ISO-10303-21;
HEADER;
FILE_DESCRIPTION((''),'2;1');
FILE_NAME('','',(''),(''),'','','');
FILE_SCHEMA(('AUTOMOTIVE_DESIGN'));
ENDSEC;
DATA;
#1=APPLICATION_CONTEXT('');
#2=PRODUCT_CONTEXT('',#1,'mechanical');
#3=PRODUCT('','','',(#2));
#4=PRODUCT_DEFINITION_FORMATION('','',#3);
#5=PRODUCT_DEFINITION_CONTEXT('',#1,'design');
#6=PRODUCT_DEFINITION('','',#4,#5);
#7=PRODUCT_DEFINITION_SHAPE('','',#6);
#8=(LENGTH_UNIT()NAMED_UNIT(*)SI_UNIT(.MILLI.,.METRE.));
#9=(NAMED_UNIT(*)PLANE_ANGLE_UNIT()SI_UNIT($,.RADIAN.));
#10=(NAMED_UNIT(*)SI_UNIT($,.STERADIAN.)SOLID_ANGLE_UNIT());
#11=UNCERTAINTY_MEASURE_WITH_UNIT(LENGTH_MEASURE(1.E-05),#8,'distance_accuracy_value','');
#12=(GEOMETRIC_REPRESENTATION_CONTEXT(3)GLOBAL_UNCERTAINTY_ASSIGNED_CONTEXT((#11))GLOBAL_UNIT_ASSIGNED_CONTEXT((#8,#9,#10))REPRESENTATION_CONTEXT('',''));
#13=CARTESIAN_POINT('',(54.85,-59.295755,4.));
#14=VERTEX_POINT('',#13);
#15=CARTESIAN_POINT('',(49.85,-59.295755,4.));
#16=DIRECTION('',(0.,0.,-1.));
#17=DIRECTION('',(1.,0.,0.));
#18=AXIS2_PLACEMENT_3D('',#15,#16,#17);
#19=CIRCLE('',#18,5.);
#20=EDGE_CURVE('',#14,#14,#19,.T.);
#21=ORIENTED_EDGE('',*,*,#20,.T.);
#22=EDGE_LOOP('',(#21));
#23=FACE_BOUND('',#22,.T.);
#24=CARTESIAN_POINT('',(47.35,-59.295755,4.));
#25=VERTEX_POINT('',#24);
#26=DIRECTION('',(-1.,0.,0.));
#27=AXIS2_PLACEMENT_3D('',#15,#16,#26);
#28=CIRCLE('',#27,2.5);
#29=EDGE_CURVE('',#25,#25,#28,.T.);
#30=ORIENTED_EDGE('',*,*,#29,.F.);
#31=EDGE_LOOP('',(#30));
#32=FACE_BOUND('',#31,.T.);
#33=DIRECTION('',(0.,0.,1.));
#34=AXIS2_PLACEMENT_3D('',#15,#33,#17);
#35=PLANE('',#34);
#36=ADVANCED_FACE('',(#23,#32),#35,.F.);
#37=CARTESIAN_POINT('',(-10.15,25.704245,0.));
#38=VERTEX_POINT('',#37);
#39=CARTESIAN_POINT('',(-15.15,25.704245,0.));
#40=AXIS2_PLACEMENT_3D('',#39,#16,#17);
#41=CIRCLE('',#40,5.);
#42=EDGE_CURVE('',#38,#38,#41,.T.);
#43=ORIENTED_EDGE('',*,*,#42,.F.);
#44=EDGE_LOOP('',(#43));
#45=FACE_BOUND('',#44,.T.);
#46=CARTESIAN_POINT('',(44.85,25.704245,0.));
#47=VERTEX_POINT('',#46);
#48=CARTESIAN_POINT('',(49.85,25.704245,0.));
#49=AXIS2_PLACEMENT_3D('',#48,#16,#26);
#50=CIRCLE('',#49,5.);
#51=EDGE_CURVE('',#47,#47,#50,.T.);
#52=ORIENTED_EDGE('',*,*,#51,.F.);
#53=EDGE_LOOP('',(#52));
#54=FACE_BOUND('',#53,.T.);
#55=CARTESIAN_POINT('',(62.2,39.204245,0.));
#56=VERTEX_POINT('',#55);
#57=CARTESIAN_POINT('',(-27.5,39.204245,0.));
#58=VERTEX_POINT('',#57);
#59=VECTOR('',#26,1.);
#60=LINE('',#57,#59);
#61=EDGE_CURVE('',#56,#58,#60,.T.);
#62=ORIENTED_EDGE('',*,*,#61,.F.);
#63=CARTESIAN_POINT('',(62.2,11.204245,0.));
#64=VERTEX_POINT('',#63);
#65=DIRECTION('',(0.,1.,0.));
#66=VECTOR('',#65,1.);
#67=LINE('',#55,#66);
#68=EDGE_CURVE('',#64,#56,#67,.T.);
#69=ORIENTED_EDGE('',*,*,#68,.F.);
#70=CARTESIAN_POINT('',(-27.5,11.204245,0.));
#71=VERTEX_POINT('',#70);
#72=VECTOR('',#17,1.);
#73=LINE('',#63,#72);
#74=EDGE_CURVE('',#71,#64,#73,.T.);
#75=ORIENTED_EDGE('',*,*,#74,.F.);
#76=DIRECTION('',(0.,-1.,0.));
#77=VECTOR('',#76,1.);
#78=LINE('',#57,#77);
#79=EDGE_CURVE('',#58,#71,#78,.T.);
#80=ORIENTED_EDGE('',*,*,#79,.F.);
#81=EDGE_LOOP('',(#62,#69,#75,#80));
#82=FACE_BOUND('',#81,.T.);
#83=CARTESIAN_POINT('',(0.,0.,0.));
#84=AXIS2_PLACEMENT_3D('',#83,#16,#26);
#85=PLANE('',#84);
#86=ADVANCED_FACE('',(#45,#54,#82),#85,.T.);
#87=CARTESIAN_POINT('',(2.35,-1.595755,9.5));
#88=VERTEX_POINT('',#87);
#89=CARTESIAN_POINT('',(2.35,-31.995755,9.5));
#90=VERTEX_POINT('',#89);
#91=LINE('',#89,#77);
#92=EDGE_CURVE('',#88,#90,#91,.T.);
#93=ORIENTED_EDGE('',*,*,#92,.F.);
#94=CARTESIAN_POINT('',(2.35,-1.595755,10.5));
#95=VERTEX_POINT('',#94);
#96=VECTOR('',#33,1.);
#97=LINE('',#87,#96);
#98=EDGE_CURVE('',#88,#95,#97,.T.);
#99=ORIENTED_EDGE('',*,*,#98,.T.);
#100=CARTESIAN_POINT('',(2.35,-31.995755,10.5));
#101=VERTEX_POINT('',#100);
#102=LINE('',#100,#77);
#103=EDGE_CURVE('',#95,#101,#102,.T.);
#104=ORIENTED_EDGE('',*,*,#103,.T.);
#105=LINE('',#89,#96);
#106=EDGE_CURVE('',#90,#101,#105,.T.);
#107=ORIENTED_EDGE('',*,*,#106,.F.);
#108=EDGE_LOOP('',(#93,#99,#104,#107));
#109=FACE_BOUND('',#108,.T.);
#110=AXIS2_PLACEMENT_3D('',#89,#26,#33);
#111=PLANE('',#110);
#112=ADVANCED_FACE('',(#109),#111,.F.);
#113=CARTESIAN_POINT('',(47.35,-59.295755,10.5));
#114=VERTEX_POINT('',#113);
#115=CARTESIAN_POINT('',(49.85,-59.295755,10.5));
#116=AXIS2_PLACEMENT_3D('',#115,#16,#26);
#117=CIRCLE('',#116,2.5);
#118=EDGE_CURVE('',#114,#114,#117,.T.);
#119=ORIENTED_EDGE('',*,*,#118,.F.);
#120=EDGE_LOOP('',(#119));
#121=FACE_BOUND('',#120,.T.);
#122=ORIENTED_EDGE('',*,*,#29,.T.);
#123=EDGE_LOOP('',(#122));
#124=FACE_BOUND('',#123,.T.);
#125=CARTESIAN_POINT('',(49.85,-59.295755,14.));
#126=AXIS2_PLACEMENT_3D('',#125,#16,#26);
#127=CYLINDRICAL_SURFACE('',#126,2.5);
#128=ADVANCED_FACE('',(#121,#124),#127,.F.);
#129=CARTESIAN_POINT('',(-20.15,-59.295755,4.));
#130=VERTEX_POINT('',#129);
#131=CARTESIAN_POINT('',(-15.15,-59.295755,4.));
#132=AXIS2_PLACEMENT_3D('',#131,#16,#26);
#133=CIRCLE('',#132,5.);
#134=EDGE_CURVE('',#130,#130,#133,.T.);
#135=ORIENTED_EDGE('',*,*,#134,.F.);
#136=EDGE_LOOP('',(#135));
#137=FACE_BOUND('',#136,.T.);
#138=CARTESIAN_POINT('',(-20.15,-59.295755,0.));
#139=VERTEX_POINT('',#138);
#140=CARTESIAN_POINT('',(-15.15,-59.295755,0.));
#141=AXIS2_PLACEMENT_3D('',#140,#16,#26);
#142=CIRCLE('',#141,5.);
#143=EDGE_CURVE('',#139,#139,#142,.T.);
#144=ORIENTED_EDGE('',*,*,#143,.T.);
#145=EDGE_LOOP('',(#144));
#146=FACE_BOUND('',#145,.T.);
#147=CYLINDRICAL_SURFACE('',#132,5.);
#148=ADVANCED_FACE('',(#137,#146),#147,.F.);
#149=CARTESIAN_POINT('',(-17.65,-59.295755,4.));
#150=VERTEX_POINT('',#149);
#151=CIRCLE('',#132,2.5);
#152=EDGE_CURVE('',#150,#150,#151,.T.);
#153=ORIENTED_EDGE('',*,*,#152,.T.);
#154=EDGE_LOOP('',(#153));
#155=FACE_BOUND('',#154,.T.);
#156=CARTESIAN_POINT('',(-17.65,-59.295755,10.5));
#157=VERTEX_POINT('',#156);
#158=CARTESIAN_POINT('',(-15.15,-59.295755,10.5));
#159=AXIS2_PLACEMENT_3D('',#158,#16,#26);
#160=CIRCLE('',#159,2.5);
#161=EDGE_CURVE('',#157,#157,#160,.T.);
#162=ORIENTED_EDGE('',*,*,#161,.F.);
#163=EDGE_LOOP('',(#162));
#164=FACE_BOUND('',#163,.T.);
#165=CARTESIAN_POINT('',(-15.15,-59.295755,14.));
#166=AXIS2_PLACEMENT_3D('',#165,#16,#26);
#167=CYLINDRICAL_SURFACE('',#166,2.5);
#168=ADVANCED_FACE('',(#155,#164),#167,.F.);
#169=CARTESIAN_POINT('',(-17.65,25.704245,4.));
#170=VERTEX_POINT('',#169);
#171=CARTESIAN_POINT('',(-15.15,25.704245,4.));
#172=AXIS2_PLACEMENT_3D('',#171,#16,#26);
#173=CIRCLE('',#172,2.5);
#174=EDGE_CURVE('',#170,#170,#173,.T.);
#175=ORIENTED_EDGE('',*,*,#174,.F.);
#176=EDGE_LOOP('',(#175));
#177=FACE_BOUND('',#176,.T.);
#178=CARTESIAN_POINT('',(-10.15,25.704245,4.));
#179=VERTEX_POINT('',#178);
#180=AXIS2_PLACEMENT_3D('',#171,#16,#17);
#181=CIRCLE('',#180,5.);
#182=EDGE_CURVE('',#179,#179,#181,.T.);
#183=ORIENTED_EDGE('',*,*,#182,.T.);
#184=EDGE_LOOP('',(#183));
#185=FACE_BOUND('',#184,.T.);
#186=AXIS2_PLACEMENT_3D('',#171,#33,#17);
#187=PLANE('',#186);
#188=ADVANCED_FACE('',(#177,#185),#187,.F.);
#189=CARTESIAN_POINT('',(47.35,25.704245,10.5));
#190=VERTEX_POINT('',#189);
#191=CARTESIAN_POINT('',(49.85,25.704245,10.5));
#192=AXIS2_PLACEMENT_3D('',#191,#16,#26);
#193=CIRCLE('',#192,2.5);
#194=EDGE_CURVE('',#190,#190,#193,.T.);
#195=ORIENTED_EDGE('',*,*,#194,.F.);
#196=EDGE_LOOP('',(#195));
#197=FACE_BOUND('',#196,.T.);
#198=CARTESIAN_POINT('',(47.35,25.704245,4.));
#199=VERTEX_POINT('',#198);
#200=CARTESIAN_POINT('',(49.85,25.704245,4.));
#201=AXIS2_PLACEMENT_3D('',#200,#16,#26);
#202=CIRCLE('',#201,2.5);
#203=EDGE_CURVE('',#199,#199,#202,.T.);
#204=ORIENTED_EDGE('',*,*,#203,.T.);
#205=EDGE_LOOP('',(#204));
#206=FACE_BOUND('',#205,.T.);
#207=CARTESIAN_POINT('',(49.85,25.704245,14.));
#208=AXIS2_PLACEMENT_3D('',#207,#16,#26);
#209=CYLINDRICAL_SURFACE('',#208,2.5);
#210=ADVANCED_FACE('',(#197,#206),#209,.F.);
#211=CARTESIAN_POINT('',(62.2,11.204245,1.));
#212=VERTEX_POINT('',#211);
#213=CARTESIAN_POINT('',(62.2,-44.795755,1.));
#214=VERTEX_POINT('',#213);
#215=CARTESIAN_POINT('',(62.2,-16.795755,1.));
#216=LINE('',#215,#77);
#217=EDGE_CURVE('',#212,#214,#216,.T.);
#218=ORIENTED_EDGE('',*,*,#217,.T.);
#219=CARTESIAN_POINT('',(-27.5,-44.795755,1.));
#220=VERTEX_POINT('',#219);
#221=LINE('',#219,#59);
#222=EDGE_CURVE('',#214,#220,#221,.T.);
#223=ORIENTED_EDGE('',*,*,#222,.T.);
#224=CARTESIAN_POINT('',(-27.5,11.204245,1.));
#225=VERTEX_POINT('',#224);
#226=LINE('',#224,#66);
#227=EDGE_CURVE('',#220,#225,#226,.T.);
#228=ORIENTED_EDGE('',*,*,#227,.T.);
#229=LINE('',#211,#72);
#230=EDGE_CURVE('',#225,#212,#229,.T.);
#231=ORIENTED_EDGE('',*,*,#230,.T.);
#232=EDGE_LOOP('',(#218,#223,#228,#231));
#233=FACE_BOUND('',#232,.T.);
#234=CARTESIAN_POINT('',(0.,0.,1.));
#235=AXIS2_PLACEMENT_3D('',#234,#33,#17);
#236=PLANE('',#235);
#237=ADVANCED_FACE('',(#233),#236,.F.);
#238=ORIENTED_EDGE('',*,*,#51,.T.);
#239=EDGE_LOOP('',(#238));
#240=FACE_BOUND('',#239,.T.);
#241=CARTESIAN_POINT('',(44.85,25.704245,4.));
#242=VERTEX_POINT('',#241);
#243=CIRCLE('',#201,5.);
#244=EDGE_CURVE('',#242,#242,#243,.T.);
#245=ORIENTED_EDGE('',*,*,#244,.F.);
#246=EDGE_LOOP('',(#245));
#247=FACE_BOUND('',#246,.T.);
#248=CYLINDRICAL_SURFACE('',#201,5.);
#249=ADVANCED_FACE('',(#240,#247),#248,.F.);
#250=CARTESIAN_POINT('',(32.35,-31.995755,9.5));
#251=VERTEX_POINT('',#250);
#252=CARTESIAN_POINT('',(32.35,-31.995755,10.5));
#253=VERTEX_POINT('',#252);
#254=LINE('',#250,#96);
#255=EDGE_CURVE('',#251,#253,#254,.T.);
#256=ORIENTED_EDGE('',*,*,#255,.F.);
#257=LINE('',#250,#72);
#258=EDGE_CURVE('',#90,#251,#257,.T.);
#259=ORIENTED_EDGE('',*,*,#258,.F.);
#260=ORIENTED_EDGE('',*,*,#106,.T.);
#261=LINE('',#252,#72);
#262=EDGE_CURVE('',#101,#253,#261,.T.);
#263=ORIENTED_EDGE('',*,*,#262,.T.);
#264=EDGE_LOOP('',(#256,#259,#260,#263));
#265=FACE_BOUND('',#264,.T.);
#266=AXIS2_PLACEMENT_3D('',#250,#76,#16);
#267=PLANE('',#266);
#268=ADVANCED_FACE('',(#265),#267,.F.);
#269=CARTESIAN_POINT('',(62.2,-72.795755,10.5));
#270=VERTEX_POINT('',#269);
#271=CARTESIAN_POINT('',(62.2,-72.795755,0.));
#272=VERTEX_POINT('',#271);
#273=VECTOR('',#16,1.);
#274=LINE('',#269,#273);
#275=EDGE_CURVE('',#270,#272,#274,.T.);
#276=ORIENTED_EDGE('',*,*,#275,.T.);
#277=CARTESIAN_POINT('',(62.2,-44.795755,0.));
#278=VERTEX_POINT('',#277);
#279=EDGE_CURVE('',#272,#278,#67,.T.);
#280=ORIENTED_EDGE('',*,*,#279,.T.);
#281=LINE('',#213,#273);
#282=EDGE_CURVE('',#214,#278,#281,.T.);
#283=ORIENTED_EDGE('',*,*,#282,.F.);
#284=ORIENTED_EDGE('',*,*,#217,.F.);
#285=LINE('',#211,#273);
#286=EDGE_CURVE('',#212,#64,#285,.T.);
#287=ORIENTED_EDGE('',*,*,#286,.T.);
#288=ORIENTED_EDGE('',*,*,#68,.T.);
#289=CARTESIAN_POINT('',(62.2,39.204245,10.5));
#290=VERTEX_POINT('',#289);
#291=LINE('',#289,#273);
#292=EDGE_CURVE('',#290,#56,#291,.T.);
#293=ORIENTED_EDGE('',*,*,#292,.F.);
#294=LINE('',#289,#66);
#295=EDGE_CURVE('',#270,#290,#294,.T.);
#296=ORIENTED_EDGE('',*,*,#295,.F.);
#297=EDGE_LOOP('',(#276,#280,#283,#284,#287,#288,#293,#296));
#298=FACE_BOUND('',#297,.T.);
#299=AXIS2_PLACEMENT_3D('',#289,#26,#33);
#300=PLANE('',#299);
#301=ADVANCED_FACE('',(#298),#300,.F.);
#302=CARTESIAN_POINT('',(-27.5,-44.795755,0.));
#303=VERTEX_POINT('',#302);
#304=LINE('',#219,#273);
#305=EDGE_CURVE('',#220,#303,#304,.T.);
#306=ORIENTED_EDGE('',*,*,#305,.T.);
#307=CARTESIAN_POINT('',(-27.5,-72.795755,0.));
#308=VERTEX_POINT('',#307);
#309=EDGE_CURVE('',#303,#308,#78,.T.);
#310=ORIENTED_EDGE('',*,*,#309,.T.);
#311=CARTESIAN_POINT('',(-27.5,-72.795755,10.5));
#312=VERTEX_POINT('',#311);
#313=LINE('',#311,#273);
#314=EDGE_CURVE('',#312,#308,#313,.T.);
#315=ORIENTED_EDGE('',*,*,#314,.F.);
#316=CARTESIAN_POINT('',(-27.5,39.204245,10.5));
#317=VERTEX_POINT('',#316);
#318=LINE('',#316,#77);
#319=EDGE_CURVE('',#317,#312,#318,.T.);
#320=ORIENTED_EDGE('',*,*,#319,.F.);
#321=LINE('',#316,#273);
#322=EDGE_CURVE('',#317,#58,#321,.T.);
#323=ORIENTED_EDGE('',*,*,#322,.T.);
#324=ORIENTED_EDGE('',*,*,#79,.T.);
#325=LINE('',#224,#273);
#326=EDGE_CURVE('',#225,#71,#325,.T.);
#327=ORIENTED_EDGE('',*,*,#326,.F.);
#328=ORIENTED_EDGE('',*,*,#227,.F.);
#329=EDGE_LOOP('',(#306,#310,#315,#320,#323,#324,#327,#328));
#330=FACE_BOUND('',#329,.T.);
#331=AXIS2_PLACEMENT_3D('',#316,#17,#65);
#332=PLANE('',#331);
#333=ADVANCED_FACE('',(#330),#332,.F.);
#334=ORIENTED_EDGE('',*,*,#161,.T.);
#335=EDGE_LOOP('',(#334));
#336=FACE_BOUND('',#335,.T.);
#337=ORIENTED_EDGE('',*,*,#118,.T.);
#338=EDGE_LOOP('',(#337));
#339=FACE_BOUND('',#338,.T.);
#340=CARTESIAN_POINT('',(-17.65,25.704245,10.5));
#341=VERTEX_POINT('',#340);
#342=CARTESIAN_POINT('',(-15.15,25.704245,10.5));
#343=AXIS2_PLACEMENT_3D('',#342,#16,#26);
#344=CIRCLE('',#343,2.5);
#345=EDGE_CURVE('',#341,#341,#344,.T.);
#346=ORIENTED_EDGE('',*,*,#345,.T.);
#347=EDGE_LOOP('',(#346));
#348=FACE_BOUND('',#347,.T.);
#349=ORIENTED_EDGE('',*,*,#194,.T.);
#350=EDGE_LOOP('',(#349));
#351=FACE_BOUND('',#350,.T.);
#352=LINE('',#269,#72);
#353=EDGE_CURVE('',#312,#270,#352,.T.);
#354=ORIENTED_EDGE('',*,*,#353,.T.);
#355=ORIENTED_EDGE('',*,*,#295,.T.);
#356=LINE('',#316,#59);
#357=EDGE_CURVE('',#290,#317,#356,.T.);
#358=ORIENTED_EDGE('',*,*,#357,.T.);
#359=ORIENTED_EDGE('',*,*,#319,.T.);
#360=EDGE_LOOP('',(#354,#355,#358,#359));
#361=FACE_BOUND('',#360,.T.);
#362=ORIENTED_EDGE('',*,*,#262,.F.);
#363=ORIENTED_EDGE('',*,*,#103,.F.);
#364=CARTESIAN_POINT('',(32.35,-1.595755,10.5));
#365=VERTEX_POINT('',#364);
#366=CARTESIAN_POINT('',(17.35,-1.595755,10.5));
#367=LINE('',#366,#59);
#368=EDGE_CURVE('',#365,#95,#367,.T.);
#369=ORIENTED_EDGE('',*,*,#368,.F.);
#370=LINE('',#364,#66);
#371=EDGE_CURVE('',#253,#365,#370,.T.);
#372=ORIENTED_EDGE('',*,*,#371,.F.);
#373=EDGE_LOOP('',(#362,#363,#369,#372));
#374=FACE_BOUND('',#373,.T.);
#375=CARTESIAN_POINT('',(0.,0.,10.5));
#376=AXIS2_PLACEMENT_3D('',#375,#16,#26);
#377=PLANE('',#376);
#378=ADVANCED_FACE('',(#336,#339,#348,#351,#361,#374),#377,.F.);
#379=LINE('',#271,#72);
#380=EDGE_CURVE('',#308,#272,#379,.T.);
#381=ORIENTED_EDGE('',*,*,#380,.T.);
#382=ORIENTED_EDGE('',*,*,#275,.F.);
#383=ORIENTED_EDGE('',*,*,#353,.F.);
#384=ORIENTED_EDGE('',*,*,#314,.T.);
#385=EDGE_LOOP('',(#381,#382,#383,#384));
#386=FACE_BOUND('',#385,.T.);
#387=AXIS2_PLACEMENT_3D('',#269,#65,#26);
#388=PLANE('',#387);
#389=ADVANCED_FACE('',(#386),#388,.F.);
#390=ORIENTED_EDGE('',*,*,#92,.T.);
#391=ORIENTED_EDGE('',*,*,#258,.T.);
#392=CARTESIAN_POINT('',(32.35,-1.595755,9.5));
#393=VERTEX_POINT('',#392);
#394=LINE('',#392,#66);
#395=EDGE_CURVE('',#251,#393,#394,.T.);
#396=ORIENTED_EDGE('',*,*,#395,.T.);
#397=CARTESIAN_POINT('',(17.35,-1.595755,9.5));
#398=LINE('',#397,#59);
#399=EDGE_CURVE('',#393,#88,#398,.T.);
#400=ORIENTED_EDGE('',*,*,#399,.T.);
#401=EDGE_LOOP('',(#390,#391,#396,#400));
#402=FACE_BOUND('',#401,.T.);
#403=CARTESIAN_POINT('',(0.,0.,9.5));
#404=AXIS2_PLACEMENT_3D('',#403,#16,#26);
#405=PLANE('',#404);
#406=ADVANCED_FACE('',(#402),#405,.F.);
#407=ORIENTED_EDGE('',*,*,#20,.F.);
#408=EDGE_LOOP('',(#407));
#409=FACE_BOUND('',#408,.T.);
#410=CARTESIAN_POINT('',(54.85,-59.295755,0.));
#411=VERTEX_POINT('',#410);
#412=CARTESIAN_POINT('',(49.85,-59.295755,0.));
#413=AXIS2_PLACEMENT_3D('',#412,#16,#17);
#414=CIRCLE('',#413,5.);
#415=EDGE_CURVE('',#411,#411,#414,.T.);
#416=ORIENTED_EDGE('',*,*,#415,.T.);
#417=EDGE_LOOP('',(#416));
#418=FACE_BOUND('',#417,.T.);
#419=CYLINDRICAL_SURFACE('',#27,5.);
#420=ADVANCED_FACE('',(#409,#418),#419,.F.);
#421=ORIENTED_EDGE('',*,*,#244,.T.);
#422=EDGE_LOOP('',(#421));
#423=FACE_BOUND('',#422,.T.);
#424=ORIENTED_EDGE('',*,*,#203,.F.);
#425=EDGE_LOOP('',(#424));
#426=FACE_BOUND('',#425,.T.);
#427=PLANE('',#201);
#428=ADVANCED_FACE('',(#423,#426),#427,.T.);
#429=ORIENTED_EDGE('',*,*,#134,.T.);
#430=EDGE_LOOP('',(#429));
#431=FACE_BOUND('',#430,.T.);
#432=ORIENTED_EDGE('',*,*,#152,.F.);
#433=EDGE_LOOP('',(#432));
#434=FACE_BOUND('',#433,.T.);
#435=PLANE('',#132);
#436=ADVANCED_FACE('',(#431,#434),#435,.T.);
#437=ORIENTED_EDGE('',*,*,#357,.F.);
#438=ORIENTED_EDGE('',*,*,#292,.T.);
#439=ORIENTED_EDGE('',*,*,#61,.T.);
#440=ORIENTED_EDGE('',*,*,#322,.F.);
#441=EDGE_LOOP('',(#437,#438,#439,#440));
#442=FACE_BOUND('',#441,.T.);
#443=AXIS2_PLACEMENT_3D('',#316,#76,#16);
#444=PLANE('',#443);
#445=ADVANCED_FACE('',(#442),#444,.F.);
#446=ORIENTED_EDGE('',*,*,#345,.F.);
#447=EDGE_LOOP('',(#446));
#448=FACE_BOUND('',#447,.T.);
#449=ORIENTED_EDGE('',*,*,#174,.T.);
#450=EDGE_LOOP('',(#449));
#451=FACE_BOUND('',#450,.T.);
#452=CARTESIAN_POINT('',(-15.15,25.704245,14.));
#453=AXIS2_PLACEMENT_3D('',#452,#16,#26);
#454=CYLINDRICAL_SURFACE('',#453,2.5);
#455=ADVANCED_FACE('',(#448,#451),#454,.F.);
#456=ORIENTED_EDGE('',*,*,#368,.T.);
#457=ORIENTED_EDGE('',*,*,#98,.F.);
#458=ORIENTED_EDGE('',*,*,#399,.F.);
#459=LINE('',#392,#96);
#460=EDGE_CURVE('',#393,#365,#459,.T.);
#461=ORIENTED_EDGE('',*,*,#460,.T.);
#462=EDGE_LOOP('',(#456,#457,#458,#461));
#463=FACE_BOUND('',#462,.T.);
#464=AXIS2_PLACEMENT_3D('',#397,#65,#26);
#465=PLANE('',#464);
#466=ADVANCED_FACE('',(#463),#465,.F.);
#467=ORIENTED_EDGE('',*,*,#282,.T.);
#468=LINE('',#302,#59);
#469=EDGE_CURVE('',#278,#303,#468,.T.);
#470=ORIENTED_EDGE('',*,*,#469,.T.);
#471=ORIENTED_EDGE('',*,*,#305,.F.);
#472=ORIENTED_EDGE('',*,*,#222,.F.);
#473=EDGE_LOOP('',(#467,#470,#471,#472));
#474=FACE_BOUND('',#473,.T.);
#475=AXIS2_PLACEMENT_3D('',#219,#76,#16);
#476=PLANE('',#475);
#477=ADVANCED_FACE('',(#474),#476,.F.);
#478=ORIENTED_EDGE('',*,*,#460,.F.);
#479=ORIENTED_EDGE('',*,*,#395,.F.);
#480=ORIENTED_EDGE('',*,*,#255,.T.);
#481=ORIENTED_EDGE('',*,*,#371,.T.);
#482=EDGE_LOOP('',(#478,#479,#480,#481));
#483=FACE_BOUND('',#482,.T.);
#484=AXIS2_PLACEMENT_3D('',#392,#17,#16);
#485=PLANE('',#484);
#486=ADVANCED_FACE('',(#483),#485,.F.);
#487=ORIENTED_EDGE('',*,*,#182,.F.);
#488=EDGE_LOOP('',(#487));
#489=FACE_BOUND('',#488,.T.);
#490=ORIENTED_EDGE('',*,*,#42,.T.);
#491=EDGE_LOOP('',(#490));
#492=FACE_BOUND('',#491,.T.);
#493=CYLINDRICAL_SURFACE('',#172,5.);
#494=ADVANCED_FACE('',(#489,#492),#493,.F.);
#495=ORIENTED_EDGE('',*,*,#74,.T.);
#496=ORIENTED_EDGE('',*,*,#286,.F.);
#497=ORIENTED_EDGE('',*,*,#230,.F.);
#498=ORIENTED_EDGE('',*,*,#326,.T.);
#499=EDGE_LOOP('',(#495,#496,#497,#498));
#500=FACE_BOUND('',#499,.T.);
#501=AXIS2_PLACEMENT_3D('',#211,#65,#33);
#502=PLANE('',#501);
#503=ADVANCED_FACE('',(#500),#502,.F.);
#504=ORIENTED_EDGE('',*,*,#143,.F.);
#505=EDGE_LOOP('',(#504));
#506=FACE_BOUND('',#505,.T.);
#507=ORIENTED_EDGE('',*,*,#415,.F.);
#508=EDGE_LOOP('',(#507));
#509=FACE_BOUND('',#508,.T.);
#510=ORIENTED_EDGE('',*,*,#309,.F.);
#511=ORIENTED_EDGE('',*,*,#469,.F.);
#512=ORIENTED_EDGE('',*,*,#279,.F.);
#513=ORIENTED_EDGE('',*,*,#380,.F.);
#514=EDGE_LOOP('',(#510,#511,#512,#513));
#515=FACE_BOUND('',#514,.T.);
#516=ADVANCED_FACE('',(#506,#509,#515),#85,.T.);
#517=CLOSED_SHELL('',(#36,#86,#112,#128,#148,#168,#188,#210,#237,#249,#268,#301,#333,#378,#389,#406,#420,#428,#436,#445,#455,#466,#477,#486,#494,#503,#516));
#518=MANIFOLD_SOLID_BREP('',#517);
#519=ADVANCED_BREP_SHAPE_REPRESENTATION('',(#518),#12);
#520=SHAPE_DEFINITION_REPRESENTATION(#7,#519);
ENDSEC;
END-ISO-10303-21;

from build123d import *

# Parameters (mm, degrees)
SKETCH_1_W          = 89.7
SKETCH_1_H          = 112
EXTRUDE_1_DEPTH     = 10.5
CUT_EXTRUDE_1_DEPTH = 1
CUT_EXTRUDE_2_DEPTH = 1
SKETCH_4_R          = 5
CUT_EXTRUDE_3_DEPTH = 4
SKETCH_15_R         = 2.5
CUT_EXTRUDE_4_DEPTH = 10


with BuildPart() as part:
    # 草图1 → 凸台-拉伸1 (new body)
    with BuildSketch(Plane.XY):
        with Locations((17.35, -16.795754715)):
            Rectangle(SKETCH_1_W, SKETCH_1_H)
    extrude(amount=EXTRUDE_1_DEPTH)

    # 草图2 → 切除-拉伸1 (cut)
    with BuildSketch(Plane.XY.offset(10.5)):
        Polygon((17.35, -1.595754715), (32.35, -1.595754715), (32.35, -31.995754715), (2.35, -31.995754715), (2.35, -1.595754715), align=None)
    extrude(amount=-CUT_EXTRUDE_1_DEPTH, mode=Mode.SUBTRACT)

    # 草图3 → 切除-拉伸2 (cut)
    with BuildSketch(Plane(origin=(0, 0, 0), x_dir=(-1, 0, 0), z_dir=(0, 0, -1))):
        Polygon((-62.2, -16.795754715), (-62.2, -44.795754715), (27.5, -44.795754715), (27.5, 11.204245285), (-62.2, 11.204245285), align=None)
    extrude(amount=-CUT_EXTRUDE_2_DEPTH, mode=Mode.SUBTRACT)

    # 草图4 → 切除-拉伸3 (cut)
    with BuildSketch(Plane(origin=(0, 0, 0), x_dir=(-1, 0, 0), z_dir=(0, 0, -1))):
        with Locations((-49.85, 25.704245285)):
            Circle(SKETCH_4_R)
        with Locations(Location((15.15, 25.704245285, 0), (0, 0, 180))):
            Circle(SKETCH_4_R)
        with Locations((15.15, -59.295754715)):
            Circle(SKETCH_4_R)
        with Locations(Location((-49.85, -59.295754715, 0), (0, 0, 180))):
            Circle(SKETCH_4_R)
    extrude(amount=-CUT_EXTRUDE_3_DEPTH, mode=Mode.SUBTRACT)

    # 草图15 → 切除-拉伸4 (cut)
    with BuildSketch(Plane(origin=(0, 0, 4), x_dir=(-1, 0, 0), z_dir=(0, 0, -1))):
        with Locations((-49.85, 25.704245285)):
            Circle(SKETCH_15_R)
        with Locations((15.15, 25.704245285)):
            Circle(SKETCH_15_R)
        with Locations((-49.85, -59.295754715)):
            Circle(SKETCH_15_R)
        with Locations((15.15, -59.295754715)):
            Circle(SKETCH_15_R)
    extrude(amount=-CUT_EXTRUDE_4_DEPTH, mode=Mode.SUBTRACT)


solid = part.part
